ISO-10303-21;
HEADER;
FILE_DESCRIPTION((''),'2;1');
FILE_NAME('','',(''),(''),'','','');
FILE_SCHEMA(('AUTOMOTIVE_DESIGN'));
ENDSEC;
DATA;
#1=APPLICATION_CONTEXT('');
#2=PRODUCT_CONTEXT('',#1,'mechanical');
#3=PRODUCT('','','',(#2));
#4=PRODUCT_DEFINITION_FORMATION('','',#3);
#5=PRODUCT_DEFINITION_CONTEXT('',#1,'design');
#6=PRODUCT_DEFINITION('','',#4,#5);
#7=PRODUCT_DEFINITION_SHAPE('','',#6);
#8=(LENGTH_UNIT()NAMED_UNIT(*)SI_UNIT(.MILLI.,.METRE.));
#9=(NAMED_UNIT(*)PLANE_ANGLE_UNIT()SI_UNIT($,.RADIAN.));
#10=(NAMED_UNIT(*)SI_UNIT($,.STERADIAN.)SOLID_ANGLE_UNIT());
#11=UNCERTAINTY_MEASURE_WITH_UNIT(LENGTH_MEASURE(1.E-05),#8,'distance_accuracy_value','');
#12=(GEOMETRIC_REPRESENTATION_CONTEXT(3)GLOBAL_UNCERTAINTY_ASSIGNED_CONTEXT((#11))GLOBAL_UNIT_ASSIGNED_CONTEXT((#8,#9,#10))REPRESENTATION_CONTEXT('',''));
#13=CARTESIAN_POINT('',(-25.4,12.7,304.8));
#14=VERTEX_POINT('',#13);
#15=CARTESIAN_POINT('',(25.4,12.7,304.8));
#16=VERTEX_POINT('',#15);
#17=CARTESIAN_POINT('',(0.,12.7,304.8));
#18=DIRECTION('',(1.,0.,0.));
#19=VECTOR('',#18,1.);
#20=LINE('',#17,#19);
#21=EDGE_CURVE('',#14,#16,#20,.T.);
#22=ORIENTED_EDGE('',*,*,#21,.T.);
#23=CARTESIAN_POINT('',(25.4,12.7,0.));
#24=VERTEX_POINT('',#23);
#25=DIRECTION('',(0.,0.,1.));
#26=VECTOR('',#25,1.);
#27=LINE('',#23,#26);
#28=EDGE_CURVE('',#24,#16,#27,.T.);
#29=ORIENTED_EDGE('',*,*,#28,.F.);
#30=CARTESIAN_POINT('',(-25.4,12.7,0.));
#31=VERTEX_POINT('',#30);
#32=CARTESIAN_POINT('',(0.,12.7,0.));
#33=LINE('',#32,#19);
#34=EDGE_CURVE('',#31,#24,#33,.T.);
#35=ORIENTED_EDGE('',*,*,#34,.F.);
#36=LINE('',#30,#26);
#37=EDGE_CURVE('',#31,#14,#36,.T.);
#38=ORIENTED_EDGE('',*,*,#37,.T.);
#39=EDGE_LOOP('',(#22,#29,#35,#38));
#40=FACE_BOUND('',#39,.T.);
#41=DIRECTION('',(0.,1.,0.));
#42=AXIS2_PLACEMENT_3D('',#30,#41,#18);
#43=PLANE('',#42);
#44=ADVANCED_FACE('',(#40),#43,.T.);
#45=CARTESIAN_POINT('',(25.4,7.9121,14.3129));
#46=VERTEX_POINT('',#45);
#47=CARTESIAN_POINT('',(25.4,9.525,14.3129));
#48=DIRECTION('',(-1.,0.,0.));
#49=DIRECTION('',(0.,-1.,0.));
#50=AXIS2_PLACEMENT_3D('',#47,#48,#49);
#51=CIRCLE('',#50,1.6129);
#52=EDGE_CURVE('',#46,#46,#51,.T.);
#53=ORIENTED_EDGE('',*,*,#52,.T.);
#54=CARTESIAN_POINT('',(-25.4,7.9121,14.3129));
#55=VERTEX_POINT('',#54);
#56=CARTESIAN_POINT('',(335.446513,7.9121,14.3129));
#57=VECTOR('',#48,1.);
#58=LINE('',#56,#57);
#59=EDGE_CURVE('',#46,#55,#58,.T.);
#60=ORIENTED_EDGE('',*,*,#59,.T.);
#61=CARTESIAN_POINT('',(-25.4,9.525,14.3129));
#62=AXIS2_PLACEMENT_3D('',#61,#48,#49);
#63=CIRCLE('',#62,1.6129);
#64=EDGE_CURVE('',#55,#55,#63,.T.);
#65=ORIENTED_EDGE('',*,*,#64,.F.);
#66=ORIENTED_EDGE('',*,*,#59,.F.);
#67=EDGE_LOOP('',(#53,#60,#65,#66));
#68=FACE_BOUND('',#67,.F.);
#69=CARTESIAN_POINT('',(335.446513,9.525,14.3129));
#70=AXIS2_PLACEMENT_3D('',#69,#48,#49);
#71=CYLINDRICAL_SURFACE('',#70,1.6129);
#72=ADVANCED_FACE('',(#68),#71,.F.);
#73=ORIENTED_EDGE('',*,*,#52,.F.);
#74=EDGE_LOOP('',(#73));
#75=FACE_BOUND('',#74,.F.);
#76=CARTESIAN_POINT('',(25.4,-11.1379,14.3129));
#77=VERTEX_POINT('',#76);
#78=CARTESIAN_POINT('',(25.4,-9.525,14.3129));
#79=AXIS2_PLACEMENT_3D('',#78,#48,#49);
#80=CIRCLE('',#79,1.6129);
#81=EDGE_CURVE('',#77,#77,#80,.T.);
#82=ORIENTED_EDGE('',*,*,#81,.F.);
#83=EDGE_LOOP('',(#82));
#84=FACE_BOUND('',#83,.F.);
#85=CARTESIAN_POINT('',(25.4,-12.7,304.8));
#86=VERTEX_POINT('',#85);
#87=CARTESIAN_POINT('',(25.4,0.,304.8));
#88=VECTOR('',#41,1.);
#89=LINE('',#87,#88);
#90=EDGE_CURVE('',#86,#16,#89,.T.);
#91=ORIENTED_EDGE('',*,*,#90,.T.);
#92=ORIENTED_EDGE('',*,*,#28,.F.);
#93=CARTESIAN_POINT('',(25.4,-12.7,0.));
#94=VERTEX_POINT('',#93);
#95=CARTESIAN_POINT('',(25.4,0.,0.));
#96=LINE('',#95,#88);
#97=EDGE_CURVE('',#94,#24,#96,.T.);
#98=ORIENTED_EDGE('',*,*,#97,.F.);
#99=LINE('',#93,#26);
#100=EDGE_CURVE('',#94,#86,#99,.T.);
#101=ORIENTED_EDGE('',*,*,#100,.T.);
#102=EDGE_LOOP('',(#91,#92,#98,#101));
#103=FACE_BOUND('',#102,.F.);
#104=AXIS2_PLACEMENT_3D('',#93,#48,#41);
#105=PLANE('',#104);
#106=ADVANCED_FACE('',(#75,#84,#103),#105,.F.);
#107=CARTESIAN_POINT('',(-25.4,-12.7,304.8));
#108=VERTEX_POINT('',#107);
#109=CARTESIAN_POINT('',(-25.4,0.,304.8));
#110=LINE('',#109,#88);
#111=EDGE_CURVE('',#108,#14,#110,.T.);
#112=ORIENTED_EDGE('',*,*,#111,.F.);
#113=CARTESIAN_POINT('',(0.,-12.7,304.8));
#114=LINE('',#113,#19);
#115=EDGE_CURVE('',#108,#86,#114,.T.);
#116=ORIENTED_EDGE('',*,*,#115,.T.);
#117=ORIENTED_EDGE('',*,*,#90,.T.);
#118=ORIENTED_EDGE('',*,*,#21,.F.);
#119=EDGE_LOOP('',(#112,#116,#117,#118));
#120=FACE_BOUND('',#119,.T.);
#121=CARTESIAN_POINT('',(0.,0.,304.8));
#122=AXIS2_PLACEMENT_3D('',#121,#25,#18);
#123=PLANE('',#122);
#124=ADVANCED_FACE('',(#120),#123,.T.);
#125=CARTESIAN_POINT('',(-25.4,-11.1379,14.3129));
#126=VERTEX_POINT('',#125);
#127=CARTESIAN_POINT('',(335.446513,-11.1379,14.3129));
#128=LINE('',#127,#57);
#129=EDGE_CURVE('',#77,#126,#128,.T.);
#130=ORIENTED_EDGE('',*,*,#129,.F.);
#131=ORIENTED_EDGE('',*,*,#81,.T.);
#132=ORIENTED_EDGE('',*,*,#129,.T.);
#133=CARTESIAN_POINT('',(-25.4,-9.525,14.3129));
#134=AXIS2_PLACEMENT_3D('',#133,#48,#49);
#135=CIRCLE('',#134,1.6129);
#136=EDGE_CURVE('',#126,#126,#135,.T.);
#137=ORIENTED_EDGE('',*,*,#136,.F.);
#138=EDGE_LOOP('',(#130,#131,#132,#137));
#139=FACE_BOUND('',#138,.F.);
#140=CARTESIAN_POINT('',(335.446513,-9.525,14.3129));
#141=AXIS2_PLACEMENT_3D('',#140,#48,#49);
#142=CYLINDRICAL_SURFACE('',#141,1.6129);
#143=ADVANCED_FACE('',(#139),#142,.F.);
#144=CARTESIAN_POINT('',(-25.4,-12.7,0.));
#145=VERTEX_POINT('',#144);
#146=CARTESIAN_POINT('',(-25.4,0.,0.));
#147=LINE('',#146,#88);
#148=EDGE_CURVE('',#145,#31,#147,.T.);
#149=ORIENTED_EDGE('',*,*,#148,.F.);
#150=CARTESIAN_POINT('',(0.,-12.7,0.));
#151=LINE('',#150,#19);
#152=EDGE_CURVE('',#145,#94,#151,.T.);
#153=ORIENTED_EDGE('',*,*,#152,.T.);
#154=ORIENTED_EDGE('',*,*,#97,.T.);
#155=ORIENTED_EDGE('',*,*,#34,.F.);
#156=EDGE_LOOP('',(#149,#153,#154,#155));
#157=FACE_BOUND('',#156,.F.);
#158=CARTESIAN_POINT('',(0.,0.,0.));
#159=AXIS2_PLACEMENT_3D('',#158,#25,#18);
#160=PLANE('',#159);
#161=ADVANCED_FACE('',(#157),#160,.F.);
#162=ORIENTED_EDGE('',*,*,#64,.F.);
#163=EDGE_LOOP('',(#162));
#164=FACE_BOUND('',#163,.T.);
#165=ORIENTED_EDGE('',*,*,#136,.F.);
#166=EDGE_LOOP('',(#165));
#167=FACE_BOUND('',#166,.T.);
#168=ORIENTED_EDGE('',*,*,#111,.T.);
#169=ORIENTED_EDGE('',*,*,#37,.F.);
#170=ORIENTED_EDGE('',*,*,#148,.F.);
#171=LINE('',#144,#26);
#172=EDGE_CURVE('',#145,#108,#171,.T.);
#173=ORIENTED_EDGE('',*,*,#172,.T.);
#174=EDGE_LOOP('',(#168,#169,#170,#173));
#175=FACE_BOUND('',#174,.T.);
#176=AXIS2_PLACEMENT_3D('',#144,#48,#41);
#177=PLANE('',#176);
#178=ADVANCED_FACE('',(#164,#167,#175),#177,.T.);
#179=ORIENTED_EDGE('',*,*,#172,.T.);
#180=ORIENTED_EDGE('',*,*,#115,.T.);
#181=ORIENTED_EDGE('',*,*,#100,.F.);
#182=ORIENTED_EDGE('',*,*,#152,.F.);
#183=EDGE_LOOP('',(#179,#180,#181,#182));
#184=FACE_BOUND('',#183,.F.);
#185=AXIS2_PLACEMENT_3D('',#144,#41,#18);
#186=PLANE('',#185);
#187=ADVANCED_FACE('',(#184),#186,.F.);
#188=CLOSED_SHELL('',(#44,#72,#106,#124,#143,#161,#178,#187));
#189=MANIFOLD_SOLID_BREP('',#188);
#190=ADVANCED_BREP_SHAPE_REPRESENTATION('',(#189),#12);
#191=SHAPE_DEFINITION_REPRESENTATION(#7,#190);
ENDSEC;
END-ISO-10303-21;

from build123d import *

# Parameters (mm, degrees)
F0_W     = 50.8
F0_H     = 25.4
F1_DEPTH = 304.8
F3_D     = 3.2258


with BuildPart() as f1:
    # F0 (on Top) → F1 (new body)
    with BuildSketch(Plane.XY):
        Rectangle(F0_W, F0_H)
    extrude(amount=F1_DEPTH)

    # F3 (through all)
    with Locations(Plane.YZ.offset(25.4)):
        with Locations((9.525, 14.3129), (-9.525, 14.3129)):
            Hole(F3_D / 2)


solid = f1.part
